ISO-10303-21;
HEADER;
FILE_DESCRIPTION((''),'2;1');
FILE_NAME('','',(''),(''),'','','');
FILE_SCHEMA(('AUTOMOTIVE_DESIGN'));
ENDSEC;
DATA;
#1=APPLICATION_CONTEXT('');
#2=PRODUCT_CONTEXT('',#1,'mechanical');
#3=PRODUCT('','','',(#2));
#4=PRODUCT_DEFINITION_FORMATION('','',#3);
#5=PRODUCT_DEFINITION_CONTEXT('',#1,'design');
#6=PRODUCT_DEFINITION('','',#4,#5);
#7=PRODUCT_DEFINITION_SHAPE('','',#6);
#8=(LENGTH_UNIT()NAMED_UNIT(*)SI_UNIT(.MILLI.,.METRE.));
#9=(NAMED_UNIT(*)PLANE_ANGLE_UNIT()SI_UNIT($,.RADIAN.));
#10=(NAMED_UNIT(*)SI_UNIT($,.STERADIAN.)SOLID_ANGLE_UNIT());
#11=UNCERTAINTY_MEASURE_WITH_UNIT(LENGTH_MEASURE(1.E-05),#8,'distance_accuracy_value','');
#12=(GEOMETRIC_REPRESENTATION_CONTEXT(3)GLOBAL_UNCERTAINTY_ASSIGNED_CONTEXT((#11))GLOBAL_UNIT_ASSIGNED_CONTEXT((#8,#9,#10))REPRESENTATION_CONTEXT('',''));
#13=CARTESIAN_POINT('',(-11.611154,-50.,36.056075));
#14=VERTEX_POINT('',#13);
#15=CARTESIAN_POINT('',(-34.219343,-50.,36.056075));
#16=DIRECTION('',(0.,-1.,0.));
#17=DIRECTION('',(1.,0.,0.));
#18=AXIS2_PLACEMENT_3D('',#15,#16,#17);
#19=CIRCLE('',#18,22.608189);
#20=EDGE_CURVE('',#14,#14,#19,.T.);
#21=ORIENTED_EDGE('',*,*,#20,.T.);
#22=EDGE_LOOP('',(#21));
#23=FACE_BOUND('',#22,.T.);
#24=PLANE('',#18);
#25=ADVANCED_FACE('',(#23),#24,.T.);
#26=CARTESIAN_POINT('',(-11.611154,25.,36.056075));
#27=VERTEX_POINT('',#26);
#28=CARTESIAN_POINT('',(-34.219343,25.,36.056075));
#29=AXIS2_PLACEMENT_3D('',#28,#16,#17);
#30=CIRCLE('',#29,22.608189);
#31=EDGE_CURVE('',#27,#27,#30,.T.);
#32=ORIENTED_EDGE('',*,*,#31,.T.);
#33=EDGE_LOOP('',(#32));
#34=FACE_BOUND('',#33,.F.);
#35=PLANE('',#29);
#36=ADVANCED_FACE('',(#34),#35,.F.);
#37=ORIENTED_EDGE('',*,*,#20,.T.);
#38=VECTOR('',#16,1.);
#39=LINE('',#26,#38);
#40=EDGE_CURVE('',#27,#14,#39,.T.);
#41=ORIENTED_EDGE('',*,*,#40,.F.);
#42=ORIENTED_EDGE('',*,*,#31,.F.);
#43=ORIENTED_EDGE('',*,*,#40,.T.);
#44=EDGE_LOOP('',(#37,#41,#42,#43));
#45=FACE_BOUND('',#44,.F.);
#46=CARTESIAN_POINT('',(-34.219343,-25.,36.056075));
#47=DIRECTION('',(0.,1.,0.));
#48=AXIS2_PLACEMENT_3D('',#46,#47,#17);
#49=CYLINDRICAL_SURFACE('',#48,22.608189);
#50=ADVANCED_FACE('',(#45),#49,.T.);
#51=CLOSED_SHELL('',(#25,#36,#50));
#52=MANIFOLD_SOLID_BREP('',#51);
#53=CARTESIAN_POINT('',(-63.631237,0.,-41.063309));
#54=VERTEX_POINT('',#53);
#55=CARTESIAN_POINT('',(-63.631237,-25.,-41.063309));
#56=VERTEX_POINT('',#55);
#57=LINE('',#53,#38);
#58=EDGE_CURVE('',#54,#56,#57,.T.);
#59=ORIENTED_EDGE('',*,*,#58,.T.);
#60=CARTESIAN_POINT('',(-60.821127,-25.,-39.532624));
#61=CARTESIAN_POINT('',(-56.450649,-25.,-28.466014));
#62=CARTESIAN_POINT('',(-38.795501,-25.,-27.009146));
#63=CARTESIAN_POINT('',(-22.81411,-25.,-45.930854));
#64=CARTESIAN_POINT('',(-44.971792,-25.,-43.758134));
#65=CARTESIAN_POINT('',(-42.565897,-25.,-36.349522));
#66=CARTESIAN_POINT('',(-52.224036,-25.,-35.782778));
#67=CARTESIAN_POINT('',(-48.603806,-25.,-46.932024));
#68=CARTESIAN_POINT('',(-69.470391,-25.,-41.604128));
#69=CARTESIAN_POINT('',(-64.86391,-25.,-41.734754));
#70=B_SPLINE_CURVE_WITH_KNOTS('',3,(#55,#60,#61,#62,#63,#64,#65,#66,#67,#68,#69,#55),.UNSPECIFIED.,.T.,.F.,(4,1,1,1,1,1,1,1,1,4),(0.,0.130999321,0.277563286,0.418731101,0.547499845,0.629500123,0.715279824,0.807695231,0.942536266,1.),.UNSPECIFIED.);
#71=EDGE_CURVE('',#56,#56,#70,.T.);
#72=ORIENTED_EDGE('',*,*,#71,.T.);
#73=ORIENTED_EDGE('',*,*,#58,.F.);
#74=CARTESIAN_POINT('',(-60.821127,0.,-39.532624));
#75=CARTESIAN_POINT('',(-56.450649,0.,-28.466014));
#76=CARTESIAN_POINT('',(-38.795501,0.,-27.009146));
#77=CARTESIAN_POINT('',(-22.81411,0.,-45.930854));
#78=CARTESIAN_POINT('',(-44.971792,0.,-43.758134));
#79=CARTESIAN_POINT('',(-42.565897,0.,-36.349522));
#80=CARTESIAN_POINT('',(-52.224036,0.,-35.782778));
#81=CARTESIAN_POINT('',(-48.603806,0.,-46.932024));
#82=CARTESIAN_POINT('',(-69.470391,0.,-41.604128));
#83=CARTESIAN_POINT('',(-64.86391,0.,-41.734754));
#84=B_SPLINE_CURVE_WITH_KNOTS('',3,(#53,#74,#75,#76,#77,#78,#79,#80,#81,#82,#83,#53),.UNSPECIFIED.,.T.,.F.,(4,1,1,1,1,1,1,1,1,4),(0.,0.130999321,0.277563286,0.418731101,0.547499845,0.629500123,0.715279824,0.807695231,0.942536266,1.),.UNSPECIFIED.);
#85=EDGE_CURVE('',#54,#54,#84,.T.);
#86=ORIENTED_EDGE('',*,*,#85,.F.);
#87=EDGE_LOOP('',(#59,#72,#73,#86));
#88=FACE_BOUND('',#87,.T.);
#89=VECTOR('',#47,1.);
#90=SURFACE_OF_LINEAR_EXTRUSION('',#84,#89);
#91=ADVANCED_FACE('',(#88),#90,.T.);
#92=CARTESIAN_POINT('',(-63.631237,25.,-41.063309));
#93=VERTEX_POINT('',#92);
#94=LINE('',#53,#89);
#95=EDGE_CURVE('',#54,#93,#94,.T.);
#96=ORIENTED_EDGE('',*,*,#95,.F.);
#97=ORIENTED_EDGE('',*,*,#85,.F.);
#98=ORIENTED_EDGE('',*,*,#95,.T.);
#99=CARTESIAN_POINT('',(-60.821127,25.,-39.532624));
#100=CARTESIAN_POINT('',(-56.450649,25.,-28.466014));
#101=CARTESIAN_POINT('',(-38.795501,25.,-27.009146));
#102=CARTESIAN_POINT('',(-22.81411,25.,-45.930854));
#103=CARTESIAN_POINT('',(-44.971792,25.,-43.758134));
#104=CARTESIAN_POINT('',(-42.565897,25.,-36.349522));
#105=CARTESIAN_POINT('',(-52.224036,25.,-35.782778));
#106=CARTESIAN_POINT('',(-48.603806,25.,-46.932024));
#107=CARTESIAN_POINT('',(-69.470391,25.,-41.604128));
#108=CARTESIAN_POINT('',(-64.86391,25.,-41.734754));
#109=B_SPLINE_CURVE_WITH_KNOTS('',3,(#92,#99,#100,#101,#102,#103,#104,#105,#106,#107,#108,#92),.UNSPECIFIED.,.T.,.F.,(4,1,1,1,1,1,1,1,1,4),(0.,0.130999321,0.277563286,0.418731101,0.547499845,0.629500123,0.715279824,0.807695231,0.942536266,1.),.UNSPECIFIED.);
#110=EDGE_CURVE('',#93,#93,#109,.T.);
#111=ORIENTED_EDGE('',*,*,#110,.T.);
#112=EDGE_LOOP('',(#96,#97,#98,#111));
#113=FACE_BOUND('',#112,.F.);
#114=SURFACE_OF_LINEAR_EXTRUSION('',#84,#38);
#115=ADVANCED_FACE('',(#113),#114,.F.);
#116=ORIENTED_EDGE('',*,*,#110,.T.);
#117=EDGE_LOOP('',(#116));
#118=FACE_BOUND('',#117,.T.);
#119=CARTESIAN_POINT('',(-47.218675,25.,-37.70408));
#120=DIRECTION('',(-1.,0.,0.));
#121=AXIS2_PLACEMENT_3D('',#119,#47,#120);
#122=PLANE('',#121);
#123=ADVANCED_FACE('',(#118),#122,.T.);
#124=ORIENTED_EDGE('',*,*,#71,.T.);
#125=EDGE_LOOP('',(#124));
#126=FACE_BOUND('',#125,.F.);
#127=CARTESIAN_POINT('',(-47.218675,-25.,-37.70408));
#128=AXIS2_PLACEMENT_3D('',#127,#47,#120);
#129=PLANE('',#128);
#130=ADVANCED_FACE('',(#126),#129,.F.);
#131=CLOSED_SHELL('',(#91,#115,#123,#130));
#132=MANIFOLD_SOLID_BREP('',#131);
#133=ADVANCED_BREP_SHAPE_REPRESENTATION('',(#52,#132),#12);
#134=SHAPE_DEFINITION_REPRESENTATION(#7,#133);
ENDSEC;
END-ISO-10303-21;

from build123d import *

# Parameters (mm, degrees)
F0_R          = 22.6081890005
F1_DEPTH      = 25
F1_DEPTH_BACK = 25
F2_DEPTH      = 25
F2_DEPTH_BACK = 10
F4_DEPTH      = 25
F4_DEPTH_BACK = 25


with BuildPart() as f1:
    # F0 (on Front) → F1 (new body, two sides)
    with BuildSketch(Plane.XZ) as f1_sk:
        with Locations((-34.2193432152, 36.0560752451)):
            Circle(F0_R)
    extrude(amount=F1_DEPTH)
    extrude(f1_sk.sketch, amount=-F1_DEPTH_BACK)

    # F2 (add, two sides): a face of the model
    f2_faces = [f1.faces().sort_by_distance(p)[0] for p in [
        (-34.2193432152, -25, 36.0560752451),
    ]]
    extrude(f2_faces, amount=F2_DEPTH)
    extrude(f2_faces, amount=-F2_DEPTH_BACK)


with BuildPart() as f4:
    # F3 (on Front) → F4 (new body, two sides)
    with BuildSketch(Plane.XZ) as f4_sk:
        with BuildLine():
            add(Edge.make_bspline(
                [(-63.6312365532, -41.0633087158), (-60.8211270214, -39.5326244587), (-56.4506492919, -28.4660144835), (-38.7955010897, -27.0091462454), (-22.8141098296, -45.9308536763), (-44.9717923163, -43.7581340376), (-42.5658968287, -36.3495222877), (-52.2240357952, -35.7827783866), (-48.6038056513, -46.9320244746), (-69.47039064, -41.6041276228), (-64.8639100139, -41.7347536681), (-63.6312365532, -41.0633087158)],
                knots=[0, 0, 0, 0, 0.1309993209, 0.2775632856, 0.4187311014, 0.5474998449, 0.6295001226, 0.7152798238, 0.8076952305, 0.9425362661, 1, 1, 1, 1], degree=3))
        make_face()
    extrude(amount=F4_DEPTH)
    extrude(f4_sk.sketch, amount=-F4_DEPTH_BACK)


solid = Compound([f1.part, f4.part])
